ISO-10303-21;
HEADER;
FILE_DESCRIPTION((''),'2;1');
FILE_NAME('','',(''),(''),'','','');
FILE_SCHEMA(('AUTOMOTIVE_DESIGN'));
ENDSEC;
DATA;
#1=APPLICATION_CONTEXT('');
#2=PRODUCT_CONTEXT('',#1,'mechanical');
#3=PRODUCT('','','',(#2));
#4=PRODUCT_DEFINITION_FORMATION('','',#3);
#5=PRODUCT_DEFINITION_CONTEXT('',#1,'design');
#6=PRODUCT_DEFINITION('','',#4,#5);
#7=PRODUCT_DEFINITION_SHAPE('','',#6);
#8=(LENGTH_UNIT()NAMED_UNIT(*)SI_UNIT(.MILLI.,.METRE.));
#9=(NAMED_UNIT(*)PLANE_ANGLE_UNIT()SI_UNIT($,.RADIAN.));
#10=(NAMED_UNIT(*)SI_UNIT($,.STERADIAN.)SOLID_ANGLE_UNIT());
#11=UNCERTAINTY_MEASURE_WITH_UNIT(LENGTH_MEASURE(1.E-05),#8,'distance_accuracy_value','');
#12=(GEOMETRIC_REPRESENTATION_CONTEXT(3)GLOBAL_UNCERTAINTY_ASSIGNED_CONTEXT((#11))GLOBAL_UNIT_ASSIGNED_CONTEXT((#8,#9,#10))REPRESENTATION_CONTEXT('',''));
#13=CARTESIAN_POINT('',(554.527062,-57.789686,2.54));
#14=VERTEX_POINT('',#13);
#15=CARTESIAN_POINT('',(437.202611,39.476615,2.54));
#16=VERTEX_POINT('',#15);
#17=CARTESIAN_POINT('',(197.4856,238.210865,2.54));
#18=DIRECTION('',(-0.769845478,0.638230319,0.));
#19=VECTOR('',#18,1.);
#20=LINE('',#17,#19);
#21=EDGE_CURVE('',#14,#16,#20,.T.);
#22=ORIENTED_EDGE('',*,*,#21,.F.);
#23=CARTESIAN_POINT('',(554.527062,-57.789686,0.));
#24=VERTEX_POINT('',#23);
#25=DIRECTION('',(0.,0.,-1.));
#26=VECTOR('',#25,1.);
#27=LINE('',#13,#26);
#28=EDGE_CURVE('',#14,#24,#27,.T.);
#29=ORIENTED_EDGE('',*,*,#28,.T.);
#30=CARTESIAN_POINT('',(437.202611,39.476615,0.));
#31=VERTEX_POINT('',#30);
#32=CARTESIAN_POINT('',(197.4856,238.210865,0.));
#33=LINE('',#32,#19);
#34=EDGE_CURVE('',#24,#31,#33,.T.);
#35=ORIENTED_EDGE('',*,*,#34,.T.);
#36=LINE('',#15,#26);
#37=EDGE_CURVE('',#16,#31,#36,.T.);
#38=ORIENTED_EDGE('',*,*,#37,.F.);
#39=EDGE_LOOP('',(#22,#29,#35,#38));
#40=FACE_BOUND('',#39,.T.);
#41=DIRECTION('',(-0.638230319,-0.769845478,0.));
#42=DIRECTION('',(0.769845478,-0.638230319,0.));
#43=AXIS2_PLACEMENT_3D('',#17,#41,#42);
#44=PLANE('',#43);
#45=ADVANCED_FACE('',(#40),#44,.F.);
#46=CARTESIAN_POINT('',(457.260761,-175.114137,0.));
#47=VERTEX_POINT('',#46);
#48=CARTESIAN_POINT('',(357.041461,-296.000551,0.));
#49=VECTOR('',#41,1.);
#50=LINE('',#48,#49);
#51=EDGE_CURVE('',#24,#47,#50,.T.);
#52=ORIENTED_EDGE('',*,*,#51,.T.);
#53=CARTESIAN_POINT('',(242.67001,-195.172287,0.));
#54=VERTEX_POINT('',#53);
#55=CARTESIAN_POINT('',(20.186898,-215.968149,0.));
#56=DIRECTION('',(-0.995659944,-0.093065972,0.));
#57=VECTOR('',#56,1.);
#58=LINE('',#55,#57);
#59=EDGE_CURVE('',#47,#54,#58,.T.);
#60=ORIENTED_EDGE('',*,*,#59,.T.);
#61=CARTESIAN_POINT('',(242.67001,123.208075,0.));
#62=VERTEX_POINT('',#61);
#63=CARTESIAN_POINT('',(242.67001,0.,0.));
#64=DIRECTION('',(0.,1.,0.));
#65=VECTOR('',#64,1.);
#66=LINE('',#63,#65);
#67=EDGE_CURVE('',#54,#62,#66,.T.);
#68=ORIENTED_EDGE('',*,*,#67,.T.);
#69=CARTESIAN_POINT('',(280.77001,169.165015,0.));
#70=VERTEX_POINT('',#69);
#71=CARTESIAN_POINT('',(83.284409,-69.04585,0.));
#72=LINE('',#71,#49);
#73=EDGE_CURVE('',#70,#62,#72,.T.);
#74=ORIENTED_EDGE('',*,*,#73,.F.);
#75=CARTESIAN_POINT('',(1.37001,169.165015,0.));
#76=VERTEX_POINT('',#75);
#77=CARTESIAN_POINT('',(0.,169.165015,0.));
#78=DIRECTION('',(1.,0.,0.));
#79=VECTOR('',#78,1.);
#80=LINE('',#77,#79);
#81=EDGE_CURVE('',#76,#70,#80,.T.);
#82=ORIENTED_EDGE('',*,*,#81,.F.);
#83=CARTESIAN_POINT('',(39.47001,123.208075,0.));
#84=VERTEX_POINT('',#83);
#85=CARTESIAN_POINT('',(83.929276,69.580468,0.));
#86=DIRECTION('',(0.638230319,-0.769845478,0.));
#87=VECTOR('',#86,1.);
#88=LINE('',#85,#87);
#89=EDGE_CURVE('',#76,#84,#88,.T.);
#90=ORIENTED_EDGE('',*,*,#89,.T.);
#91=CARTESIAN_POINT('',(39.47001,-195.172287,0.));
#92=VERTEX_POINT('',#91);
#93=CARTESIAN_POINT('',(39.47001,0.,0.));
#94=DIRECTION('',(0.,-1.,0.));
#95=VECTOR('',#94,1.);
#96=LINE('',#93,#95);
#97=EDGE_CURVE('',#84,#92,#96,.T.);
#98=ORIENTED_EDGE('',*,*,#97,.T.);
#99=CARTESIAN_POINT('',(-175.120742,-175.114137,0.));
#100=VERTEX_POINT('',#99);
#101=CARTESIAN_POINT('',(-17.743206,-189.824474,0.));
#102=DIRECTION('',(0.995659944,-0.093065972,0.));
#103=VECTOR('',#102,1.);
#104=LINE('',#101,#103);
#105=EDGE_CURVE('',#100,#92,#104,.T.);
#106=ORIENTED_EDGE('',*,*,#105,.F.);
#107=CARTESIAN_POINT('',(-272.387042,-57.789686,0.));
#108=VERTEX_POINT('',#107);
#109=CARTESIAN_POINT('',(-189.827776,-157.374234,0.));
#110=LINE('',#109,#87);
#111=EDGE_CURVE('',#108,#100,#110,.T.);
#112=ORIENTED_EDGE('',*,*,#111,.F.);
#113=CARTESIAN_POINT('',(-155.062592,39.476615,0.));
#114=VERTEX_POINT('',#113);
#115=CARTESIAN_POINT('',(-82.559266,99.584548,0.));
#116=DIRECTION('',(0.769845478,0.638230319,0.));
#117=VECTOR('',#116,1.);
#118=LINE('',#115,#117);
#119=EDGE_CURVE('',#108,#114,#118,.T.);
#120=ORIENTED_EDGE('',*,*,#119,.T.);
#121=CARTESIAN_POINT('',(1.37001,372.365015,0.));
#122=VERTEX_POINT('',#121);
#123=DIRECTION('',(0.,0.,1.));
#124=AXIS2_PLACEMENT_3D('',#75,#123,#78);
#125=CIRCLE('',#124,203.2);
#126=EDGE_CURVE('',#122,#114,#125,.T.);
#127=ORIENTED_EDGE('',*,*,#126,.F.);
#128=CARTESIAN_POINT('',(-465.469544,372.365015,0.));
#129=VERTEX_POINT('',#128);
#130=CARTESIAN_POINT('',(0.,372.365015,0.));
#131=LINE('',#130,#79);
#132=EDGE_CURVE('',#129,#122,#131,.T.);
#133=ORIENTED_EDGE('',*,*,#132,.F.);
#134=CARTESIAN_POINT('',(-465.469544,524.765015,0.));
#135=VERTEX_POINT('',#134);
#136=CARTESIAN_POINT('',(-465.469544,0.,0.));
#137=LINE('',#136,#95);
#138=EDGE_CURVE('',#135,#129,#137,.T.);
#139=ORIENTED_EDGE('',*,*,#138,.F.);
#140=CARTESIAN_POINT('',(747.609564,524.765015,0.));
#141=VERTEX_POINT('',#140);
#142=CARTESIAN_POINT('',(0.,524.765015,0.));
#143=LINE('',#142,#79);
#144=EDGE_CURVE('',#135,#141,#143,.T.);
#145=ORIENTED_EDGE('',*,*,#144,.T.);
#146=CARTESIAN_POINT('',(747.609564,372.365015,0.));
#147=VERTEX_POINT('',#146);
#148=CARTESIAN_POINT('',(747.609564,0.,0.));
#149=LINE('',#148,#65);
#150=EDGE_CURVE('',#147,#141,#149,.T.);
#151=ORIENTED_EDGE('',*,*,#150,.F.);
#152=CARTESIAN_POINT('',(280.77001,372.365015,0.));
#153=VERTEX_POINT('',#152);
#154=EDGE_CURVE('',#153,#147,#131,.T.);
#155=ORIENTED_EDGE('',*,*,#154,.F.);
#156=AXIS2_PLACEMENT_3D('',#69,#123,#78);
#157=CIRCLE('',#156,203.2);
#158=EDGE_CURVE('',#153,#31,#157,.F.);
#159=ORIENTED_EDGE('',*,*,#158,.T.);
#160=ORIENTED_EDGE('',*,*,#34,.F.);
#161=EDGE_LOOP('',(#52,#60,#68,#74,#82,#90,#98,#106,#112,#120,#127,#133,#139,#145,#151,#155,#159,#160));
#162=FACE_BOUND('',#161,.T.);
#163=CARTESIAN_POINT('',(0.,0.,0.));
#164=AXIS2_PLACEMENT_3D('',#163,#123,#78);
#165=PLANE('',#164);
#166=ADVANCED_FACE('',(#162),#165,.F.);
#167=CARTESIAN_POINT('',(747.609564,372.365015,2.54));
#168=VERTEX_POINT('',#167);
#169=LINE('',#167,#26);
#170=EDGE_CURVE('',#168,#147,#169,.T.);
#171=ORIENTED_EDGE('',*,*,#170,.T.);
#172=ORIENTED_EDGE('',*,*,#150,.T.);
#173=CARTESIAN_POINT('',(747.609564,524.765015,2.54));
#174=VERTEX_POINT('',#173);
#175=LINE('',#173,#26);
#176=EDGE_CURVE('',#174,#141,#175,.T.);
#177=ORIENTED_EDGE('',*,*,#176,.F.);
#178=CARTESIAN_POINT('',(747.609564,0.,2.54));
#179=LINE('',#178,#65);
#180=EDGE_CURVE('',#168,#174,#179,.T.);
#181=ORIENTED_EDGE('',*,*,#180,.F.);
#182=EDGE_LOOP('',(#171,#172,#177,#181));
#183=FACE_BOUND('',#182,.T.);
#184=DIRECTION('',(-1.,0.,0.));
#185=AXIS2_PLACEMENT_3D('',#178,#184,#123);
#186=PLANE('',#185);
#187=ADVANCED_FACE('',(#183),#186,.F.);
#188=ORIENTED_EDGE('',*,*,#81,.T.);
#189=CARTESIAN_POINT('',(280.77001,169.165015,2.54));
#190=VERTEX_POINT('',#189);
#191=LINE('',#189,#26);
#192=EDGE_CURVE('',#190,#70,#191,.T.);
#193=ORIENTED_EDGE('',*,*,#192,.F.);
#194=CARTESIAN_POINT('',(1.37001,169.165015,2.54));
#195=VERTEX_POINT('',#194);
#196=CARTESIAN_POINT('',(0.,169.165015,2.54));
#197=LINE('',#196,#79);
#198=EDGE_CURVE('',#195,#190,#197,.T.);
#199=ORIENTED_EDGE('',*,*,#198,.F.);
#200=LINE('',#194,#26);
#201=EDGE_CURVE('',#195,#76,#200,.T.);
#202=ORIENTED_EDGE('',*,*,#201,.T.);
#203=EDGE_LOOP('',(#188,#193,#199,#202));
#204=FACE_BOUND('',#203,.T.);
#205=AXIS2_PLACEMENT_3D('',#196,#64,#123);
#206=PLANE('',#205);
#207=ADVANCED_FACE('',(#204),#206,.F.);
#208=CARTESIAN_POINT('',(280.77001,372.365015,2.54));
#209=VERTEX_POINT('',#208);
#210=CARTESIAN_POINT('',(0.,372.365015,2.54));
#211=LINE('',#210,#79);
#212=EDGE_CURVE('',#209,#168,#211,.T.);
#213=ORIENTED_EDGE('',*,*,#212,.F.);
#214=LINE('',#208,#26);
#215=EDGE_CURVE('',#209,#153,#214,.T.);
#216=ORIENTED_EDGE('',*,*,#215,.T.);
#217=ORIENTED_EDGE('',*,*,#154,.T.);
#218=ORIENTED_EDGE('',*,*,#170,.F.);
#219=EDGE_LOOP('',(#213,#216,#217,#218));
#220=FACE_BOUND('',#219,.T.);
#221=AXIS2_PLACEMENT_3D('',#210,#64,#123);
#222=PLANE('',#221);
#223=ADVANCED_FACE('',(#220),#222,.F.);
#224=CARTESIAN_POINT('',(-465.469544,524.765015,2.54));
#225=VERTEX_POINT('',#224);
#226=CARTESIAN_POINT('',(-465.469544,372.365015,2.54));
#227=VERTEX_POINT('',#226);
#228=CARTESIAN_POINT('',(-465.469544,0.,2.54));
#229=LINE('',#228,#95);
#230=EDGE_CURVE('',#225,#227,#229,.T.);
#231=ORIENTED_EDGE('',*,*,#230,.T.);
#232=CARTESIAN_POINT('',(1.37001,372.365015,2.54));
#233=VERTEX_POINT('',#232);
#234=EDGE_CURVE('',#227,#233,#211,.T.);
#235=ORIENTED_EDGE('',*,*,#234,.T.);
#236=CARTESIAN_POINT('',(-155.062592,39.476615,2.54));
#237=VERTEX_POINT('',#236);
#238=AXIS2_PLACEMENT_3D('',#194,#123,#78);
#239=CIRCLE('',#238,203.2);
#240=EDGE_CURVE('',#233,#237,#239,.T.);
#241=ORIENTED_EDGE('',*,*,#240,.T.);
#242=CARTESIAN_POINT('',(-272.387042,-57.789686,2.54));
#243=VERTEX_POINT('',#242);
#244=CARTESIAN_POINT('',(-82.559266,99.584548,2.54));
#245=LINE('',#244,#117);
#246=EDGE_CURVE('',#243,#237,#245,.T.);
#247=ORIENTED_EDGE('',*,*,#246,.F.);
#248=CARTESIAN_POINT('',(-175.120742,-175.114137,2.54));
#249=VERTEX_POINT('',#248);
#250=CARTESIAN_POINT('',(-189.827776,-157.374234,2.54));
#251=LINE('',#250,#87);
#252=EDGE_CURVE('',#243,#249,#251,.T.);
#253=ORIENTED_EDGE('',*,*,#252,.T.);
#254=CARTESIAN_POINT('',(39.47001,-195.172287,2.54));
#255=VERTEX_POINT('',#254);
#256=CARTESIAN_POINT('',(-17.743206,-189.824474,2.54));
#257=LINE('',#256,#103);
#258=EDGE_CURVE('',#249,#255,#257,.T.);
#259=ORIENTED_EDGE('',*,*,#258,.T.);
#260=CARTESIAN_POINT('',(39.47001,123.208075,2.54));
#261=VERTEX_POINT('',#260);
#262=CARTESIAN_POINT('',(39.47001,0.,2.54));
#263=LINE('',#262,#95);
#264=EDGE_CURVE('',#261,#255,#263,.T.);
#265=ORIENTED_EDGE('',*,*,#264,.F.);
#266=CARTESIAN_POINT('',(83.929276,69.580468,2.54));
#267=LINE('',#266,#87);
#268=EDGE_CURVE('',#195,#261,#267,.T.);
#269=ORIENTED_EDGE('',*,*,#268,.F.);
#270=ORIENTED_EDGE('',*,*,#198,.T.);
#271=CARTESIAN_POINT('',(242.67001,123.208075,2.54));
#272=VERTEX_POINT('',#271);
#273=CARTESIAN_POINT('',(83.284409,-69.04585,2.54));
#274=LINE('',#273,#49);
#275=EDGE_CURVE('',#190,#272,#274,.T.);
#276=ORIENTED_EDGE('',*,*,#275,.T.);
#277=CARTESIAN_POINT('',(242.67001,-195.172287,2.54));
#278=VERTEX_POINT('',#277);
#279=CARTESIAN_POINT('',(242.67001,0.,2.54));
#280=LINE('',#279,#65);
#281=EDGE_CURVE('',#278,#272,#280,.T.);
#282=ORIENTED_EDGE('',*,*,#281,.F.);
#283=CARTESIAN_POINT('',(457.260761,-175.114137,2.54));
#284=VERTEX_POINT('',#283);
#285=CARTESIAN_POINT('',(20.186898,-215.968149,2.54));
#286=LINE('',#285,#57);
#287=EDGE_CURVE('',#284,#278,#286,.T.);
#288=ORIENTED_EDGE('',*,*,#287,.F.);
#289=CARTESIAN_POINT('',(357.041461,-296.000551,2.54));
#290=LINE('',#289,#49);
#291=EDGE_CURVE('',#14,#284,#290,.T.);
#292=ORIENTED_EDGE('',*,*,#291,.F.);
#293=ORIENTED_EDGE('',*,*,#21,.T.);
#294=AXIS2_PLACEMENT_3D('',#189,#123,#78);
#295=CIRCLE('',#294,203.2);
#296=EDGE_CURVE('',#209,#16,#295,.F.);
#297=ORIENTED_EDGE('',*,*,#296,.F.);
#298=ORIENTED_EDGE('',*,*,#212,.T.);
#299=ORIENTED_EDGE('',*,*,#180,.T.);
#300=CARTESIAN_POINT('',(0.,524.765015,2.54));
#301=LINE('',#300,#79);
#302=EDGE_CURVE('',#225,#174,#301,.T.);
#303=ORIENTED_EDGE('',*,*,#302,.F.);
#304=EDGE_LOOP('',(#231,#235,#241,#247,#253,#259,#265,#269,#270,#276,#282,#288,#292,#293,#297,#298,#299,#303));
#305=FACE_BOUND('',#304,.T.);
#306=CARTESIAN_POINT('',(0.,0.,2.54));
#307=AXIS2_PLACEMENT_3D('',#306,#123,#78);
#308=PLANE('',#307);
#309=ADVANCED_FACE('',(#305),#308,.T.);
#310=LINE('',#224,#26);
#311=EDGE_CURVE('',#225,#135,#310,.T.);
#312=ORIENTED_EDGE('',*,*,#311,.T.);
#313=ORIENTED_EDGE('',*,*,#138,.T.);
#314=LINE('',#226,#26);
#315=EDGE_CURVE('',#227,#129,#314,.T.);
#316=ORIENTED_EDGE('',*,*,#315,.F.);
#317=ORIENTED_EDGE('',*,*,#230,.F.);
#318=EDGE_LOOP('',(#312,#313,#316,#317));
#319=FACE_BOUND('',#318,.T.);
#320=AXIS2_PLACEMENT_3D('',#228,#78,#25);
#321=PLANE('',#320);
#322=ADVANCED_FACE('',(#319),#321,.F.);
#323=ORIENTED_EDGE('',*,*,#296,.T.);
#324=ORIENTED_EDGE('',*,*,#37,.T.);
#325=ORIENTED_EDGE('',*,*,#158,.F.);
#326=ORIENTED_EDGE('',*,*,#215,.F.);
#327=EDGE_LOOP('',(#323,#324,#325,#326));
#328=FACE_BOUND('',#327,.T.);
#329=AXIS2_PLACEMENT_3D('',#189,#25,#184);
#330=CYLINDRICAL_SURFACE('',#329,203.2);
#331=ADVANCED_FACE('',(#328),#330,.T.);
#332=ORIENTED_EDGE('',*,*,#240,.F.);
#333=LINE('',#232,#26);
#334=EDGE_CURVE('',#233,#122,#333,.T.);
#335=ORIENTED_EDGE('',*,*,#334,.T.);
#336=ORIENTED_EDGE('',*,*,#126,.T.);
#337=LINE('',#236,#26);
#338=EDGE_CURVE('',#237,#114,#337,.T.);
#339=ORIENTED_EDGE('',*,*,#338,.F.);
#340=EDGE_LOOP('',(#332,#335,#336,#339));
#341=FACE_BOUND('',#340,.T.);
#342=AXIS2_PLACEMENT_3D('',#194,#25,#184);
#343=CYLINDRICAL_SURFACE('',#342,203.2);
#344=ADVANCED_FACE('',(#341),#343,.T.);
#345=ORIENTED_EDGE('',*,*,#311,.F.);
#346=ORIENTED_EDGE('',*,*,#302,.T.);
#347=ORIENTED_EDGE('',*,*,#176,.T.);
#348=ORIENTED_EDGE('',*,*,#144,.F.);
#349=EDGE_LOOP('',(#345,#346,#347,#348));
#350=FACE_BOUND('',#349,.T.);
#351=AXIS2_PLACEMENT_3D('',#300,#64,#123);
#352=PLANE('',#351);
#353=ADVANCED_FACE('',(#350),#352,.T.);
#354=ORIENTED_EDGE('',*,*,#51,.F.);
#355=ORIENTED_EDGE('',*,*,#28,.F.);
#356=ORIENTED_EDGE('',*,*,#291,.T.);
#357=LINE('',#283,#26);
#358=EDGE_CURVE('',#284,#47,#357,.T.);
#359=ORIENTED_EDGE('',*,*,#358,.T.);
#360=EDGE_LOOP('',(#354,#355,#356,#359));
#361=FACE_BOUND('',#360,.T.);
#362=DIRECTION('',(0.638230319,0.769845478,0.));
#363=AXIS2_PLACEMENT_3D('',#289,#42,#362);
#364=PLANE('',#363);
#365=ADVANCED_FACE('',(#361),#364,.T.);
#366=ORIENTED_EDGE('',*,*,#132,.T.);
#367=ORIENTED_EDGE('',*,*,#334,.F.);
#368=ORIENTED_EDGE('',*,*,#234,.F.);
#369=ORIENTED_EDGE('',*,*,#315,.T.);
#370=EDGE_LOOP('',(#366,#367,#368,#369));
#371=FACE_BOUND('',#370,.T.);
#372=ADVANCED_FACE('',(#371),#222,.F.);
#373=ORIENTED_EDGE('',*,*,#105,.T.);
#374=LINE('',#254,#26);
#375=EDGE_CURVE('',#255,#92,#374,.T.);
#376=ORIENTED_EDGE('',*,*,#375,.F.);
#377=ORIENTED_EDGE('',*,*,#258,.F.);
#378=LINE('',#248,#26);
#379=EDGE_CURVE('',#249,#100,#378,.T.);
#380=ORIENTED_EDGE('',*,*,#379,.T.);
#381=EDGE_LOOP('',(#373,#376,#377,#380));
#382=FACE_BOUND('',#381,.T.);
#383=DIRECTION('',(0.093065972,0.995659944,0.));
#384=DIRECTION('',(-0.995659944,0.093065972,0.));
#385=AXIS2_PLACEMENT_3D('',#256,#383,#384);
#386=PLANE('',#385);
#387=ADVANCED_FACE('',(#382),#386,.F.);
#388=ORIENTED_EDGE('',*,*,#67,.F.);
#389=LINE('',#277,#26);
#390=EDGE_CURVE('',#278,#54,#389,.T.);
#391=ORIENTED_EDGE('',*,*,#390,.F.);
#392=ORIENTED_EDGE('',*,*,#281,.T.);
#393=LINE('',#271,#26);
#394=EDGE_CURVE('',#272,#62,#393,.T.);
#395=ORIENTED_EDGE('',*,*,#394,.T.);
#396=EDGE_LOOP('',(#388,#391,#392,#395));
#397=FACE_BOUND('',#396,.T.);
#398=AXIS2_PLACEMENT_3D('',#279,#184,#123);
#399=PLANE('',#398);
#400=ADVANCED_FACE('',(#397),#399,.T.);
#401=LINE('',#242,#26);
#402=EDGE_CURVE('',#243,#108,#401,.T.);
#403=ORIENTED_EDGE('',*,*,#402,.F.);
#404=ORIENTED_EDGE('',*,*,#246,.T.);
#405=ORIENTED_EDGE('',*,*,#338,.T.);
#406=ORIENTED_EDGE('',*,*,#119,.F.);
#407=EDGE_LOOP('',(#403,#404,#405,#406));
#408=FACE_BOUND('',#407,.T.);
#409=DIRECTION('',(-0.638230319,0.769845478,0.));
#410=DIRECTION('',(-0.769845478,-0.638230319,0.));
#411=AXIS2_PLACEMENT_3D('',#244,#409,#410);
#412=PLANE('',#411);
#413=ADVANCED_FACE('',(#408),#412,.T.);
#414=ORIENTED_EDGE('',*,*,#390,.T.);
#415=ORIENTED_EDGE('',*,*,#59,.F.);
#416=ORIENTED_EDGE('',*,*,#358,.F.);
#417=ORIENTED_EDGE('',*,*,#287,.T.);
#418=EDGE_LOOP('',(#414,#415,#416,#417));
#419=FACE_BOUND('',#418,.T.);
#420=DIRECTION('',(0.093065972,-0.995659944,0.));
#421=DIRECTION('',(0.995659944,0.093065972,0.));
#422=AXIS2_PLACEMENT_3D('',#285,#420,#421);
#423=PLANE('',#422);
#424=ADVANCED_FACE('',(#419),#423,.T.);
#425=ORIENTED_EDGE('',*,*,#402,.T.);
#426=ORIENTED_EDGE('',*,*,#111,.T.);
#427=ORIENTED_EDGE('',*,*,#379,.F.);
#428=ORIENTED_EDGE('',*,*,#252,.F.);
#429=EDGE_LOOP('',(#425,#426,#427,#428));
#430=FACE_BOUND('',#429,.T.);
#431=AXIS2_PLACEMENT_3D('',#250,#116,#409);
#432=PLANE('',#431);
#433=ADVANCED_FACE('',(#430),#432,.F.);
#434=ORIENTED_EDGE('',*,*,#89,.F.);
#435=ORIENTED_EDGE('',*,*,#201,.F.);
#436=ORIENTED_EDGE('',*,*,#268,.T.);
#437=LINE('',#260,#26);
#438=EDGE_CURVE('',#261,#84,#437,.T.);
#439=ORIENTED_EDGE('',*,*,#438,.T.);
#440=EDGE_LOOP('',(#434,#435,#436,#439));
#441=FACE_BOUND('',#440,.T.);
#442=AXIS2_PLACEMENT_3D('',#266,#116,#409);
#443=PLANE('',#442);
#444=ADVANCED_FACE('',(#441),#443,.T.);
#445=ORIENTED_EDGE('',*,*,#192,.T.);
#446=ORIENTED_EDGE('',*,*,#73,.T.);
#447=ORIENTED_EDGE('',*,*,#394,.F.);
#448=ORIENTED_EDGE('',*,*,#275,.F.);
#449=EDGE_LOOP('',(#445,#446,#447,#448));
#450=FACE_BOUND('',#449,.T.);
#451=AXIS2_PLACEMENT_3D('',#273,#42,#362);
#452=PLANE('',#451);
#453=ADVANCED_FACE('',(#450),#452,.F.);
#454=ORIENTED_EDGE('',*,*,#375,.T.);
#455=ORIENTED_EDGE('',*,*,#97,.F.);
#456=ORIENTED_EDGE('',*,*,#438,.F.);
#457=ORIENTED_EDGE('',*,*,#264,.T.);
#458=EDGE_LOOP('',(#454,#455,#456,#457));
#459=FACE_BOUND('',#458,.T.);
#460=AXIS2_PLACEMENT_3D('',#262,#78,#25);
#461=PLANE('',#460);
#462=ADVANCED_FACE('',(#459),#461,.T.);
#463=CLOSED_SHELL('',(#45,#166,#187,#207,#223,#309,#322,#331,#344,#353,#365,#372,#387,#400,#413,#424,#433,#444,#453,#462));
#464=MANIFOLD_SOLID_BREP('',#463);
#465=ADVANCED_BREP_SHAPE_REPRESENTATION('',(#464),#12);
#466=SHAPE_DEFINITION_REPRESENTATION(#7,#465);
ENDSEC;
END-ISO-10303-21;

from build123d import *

# Parameters (mm, degrees)
BOSS_EXTRUDE2_DEPTH = 2.54


with BuildPart() as part:
    # Sketch1 → Boss-Extrude2 (new body)
    with BuildSketch(Plane.XY):
        Polygon((280.770009641, 372.365015451), (280.770009641, 169.165015451), (242.670009641, 169.165015451), (39.470009641, 169.165015451), (1.370009641, 169.165015451), (1.370009641, 372.365015451), align=None)
        Polygon((280.770009641, 372.365015451), (747.609563641, 372.365015451), (747.609563641, 524.765015451), (280.770009641, 524.765015451), (-24.029990359, 524.765015451), (-465.469544359, 524.765015451), (-465.469544359, 372.365015451), (1.370009641, 372.365015451), align=None)
        with BuildLine():
            Line((1.370009641, 372.365015451), (1.370009641, 169.165015451))
            Line((1.370009641, 169.165015451), (39.470009641, 123.208075057))
            Line((39.470009641, 123.208075057), (39.470009641, -195.172287059))
            Line((39.470009641, -195.172287059), (-155.062591517, 39.476614679))
            ThreePointArc((-155.062591517, 39.476614679), (-182.536111841, 255.58711032), (1.370009641, 372.365015451))
        make_face()
        with BuildLine():
            ThreePointArc((280.770009641, 372.365015451), (464.676131123, 255.58711032), (437.202610799, 39.476614679))
            Line((437.202610799, 39.476614679), (242.670009641, -195.172287059))
            Line((242.670009641, -195.172287059), (242.670009641, 123.208075057))
            Line((242.670009641, 123.208075057), (280.770009641, 169.165015451))
            Line((280.770009641, 169.165015451), (280.770009641, 372.365015451))
        make_face()
        Polygon((554.527061668, -57.7896859), (457.260761089, -175.114136769), (242.670009641, -195.172287059), (437.202610799, 39.476614679), align=None)
        Polygon((-272.387042386, -57.7896859), (-155.062591517, 39.476614679), (39.470009641, -195.172287059), (-175.120741807, -175.114136769), align=None)
    extrude(amount=BOSS_EXTRUDE2_DEPTH)


solid = part.part
